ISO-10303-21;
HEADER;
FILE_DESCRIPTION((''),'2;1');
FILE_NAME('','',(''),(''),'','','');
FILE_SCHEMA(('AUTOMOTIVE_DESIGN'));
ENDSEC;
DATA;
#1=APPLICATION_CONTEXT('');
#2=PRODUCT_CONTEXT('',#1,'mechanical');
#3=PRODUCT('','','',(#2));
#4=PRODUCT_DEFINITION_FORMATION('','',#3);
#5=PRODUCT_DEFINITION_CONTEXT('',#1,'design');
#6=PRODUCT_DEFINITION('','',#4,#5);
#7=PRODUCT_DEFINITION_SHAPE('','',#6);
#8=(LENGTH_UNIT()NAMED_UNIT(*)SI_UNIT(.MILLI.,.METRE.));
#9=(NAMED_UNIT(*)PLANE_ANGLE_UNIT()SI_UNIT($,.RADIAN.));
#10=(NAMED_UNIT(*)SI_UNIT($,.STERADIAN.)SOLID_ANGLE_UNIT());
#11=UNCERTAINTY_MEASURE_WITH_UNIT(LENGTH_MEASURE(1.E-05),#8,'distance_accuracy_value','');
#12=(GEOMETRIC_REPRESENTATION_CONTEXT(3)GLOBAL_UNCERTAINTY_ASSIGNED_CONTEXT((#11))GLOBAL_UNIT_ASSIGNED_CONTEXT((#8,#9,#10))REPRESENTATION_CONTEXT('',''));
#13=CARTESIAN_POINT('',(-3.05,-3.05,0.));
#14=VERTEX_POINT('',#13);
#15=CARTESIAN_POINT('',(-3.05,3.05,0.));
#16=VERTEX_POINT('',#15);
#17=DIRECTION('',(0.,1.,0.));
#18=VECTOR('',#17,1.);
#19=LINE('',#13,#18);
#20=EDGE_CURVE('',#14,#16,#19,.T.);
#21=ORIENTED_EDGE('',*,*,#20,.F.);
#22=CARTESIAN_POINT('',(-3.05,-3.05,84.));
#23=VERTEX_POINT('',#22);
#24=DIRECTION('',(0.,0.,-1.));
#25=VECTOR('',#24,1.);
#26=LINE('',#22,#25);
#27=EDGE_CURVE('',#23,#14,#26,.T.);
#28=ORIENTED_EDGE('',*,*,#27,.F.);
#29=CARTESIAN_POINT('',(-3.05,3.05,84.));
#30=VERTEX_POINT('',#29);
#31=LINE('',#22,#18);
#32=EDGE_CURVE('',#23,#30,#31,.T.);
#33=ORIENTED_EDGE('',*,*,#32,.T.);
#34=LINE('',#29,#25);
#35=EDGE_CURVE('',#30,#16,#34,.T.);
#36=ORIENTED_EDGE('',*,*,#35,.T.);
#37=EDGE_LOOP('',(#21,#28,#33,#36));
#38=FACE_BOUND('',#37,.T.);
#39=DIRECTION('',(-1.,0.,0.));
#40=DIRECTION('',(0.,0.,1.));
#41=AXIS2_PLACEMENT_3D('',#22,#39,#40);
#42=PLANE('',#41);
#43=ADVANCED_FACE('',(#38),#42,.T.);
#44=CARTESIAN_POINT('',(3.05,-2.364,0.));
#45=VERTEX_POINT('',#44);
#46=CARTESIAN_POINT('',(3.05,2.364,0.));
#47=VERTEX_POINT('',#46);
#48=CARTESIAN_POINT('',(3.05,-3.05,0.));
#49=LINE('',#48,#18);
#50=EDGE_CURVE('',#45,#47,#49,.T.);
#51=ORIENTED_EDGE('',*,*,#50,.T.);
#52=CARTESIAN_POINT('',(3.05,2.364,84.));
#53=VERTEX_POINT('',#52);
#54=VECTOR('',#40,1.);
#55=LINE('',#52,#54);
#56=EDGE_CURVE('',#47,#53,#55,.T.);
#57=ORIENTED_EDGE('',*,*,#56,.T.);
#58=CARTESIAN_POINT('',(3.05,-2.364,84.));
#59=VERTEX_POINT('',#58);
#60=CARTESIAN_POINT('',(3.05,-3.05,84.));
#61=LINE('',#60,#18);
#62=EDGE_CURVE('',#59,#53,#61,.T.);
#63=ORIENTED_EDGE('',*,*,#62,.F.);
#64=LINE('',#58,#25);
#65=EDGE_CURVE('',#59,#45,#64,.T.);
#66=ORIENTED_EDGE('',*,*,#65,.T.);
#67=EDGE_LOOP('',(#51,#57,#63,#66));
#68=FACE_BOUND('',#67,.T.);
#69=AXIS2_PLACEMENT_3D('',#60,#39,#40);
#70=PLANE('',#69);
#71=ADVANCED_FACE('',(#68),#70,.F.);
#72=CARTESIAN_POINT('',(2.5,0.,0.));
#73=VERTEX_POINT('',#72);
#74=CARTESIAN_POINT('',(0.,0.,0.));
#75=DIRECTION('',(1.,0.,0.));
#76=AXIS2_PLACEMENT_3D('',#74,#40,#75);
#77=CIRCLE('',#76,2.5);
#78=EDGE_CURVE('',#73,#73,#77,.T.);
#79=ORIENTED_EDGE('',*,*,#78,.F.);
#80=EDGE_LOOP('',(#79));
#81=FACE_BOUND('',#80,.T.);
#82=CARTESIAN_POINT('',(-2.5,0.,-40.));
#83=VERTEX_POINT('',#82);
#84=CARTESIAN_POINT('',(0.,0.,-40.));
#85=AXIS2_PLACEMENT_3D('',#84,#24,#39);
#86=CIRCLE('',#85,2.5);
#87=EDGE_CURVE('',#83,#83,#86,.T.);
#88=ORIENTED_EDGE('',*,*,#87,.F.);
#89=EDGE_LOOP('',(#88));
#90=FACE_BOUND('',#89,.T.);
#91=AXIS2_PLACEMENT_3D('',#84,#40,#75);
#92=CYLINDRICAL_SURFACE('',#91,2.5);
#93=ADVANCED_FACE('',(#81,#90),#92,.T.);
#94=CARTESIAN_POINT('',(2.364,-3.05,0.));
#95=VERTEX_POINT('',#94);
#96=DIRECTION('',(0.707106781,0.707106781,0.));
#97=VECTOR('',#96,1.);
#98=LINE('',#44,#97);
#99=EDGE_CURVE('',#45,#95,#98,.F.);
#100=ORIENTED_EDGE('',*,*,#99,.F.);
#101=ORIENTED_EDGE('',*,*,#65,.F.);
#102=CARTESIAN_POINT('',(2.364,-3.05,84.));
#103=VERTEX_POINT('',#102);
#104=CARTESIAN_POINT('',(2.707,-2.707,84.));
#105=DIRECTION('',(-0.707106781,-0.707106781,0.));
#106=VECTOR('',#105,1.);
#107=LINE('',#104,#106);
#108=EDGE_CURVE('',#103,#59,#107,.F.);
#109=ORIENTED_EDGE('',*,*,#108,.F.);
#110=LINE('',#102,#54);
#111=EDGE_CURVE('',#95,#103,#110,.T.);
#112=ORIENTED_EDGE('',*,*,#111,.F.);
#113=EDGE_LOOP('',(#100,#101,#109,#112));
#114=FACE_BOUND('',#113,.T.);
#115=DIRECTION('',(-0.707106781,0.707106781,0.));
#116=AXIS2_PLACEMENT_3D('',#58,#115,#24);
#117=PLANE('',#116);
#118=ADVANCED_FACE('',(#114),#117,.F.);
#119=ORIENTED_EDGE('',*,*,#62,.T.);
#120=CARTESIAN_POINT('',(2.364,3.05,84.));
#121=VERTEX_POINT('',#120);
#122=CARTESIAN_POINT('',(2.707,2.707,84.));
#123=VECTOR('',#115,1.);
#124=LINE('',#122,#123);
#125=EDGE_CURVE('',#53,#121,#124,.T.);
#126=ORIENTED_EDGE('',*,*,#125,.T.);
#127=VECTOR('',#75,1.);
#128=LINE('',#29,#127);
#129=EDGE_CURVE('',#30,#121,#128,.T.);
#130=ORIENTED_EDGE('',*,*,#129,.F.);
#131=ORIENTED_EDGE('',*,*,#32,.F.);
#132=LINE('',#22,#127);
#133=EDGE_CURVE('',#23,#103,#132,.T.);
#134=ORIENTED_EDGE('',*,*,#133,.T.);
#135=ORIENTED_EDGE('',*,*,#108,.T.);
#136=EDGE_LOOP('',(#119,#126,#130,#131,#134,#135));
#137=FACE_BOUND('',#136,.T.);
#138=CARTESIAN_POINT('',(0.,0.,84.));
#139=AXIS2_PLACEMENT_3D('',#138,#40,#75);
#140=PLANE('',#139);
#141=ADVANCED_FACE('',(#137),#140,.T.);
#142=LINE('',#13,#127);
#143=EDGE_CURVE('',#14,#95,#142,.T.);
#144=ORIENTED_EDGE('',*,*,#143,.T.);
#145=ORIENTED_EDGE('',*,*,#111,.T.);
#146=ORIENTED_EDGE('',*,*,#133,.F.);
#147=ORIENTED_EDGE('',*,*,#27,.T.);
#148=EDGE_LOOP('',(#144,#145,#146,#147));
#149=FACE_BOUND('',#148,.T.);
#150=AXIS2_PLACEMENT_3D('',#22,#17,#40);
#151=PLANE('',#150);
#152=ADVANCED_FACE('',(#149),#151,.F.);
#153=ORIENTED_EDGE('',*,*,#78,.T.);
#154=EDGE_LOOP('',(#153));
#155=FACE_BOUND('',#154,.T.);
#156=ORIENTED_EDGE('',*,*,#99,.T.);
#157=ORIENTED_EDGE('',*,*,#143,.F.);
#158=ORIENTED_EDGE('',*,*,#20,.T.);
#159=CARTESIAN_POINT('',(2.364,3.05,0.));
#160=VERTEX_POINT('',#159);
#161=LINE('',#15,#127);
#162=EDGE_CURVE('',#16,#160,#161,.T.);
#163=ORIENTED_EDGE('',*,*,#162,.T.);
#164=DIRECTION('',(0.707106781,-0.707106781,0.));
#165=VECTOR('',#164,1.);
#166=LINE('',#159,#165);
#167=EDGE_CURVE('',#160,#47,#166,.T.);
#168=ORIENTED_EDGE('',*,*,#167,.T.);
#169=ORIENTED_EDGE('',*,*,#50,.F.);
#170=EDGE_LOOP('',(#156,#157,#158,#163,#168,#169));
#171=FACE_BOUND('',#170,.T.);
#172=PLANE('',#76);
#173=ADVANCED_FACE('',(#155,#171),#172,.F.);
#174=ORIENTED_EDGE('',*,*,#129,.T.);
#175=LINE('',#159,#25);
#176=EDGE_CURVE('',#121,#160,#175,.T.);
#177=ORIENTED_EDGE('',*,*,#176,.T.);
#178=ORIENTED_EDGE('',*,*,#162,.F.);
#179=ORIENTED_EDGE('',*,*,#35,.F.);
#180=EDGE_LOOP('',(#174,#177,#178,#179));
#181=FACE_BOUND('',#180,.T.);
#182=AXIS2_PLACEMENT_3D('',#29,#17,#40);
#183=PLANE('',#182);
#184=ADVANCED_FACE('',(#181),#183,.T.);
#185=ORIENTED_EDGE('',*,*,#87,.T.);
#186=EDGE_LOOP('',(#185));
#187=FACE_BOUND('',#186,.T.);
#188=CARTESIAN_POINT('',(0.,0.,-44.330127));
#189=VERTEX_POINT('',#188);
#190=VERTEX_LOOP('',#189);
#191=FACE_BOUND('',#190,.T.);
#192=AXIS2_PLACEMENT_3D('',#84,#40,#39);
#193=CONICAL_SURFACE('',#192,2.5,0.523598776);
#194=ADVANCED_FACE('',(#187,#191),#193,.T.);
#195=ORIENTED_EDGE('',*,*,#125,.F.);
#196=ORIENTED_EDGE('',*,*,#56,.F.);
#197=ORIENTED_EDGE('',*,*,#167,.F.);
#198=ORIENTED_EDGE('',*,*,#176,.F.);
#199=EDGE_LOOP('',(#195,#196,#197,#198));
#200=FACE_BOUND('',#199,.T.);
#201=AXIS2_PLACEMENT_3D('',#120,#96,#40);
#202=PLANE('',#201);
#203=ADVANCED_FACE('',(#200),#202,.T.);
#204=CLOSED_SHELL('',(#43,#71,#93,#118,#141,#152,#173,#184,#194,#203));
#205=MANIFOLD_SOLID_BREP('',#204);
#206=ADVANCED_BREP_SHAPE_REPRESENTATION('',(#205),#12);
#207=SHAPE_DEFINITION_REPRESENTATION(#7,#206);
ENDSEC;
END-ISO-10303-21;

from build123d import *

# Parameters (mm, degrees)
SKETCH1_W           = 6.1
SKETCH1_H           = 6.1
BOSS_EXTRUDE1_DEPTH = 84
SKETCH1_4_R         = 2.5
BOSS_EXTRUDE2_DEPTH = 40
CHAMFER_BASE_SIZE   = 0.686


with BuildPart() as part:
    # Sketch1 → Boss-Extrude1 (new body)
    with BuildSketch(Plane.XY):
        Rectangle(SKETCH1_W, SKETCH1_H)
    extrude(amount=BOSS_EXTRUDE1_DEPTH)

    # Sketch1<4> → Boss-Extrude2 (add)
    with BuildSketch(Plane.XY):
        Circle(SKETCH1_4_R)
    extrude(amount=-BOSS_EXTRUDE2_DEPTH)

    # Boss-Extrude3 cone 1 section (through the dimple's axis) → Boss-Extrude3 (revolve)
    with BuildSketch(Plane(origin=(0, 0, -40), x_dir=(0, -1, 0), z_dir=(1, 0, 0))):
        Polygon((0, 0), (2.5, 0), (0, 4.330127019), align=None)
    revolve(axis=Axis((0, 0, -40), (0, 0, -1)))

    # chamfer_base
    chamfer_base_edges = [part.edges().sort_by_distance(p)[0] for p in [
        (3.05, 3.05, 42),
        (3.05, -3.05, 42),
    ]]
    chamfer(chamfer_base_edges, length=CHAMFER_BASE_SIZE)


solid = part.part
